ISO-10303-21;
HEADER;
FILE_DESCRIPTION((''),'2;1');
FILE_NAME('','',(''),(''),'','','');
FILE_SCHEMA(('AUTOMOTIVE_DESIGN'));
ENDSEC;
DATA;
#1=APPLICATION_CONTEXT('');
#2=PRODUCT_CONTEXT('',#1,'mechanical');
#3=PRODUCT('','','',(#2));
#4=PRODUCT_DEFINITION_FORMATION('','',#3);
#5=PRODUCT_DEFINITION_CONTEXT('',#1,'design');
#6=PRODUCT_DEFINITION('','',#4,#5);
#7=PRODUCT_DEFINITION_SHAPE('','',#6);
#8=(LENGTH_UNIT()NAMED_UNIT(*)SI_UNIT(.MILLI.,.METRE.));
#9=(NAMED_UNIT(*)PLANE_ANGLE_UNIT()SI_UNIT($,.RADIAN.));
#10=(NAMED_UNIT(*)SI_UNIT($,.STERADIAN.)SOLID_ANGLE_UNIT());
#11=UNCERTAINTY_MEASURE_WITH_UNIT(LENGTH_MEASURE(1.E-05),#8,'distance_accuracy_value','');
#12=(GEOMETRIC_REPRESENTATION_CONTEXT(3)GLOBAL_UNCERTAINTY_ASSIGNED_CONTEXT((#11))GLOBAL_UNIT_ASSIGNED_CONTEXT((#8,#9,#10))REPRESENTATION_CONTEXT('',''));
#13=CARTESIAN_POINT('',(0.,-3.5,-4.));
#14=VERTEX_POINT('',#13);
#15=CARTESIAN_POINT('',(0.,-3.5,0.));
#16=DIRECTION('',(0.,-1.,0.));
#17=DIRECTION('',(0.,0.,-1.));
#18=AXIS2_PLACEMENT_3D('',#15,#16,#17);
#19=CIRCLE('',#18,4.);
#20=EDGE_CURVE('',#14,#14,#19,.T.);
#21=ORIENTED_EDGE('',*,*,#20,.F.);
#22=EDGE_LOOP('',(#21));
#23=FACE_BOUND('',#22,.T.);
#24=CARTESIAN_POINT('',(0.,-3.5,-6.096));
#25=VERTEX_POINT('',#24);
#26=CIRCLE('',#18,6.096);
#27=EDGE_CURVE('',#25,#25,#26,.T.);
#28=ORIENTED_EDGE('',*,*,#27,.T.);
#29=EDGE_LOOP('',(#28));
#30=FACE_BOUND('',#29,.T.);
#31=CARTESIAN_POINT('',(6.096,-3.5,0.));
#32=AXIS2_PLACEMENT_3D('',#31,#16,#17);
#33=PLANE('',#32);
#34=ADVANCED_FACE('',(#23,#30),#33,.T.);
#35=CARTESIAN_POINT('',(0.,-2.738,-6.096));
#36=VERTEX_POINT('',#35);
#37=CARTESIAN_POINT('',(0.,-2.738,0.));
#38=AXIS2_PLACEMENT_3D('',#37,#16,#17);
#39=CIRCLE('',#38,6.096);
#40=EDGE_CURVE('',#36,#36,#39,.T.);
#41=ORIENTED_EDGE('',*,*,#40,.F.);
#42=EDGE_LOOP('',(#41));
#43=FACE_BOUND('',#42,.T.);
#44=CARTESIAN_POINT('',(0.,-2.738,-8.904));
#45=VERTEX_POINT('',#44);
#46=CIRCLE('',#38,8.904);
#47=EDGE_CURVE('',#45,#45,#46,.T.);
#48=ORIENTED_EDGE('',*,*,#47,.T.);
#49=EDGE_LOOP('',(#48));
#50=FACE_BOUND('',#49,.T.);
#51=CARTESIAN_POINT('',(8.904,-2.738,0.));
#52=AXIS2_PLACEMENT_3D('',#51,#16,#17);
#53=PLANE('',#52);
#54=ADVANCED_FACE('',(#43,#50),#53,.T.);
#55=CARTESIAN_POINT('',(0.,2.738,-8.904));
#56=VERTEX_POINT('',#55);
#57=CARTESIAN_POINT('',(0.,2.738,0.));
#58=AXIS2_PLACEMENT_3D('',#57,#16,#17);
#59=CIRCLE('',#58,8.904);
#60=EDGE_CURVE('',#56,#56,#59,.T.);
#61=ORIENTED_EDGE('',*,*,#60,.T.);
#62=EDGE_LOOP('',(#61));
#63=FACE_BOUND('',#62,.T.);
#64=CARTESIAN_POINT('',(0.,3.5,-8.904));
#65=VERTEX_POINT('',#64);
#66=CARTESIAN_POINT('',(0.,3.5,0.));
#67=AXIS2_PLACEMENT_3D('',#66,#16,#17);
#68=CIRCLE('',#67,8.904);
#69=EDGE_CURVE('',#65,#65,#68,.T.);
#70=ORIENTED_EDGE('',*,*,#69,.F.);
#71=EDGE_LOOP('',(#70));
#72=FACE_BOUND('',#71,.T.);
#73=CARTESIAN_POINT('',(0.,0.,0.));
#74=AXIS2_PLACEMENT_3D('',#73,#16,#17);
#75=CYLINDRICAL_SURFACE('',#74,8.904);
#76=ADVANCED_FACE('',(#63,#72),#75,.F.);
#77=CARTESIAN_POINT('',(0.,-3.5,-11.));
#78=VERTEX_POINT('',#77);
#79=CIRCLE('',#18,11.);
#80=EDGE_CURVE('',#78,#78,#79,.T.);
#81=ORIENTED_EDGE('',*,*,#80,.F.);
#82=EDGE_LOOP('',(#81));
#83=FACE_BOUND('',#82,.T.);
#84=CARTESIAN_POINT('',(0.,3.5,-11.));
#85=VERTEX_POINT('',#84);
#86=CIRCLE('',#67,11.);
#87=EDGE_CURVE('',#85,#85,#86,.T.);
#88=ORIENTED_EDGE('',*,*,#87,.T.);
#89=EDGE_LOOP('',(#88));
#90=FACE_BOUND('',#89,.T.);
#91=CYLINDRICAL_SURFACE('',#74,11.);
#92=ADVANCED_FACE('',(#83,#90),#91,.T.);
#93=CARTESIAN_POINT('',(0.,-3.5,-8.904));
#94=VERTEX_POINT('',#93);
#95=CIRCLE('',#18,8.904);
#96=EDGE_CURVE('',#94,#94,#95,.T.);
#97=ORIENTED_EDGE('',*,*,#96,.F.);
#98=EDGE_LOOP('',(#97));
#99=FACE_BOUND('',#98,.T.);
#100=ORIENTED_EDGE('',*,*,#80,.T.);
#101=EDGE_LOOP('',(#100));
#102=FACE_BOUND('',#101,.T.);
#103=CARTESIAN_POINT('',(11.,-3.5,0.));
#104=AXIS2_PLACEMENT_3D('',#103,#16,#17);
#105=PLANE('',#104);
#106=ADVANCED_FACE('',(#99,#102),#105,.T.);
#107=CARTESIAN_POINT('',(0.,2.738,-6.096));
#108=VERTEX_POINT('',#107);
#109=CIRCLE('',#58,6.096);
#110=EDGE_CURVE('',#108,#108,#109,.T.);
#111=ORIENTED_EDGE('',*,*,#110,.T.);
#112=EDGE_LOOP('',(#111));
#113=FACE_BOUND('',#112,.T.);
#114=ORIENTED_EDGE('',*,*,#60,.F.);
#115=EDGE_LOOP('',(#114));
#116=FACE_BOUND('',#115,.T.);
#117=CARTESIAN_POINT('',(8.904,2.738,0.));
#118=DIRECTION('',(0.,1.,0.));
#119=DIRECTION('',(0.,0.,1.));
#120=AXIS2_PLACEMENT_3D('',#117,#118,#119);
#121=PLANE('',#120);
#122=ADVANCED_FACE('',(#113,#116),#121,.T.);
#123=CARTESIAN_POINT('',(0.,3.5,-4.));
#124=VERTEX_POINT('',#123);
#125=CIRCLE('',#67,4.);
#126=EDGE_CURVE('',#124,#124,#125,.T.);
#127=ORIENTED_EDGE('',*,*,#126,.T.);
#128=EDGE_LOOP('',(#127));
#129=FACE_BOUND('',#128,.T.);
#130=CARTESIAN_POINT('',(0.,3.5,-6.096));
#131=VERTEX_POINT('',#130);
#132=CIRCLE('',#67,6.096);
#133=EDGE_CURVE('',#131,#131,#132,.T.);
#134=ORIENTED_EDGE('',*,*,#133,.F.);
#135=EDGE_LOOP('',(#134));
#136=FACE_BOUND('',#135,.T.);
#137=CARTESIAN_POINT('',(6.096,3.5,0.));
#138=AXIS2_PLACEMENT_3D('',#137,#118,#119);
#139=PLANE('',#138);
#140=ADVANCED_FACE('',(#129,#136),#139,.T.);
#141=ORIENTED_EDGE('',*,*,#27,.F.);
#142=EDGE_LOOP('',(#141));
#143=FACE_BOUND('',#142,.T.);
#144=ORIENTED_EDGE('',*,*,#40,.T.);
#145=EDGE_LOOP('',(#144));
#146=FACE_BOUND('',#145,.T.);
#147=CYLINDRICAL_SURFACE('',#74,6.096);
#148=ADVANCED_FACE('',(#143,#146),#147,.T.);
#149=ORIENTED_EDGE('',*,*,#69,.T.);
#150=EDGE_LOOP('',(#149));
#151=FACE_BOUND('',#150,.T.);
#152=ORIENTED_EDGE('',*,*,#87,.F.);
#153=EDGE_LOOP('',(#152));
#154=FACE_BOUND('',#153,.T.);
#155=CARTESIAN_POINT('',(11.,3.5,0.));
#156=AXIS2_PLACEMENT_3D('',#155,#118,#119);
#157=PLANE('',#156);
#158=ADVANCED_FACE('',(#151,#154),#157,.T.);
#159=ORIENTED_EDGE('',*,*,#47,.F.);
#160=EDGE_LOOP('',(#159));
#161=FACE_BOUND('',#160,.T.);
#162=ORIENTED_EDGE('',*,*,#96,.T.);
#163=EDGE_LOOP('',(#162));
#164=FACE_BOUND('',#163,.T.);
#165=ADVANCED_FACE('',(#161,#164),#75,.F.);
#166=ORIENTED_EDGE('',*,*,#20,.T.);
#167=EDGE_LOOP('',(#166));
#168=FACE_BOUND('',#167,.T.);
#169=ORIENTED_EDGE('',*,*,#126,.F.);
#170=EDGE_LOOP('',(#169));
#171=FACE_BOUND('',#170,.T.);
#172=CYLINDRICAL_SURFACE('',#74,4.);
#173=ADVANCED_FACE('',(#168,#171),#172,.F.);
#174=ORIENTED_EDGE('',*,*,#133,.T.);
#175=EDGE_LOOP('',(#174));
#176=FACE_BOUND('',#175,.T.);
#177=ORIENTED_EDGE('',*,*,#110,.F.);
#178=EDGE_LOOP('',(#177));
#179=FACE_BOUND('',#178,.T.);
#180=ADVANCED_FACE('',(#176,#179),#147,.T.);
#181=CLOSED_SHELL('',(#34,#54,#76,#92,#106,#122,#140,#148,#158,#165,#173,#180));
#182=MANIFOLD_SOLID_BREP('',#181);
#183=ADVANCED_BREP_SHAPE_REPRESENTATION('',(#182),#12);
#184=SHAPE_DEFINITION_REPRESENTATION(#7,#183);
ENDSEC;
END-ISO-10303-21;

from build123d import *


with BuildPart() as part:
    # Sketch1 → Revolve1 (revolve)
    with BuildSketch(Plane.XY):
        Polygon((11, -3.5), (11, 3.5), (8.904, 3.5), (8.904, 2.738), (6.096, 2.738), (6.096, 3.5), (4, 3.5), (4, -3.5), (6.096, -3.5), (6.096, -2.738), (8.904, -2.738), (8.904, -3.5), align=None)
    revolve(axis=Axis((0, 0, 0), (0, 1, 0)))


solid = part.part
